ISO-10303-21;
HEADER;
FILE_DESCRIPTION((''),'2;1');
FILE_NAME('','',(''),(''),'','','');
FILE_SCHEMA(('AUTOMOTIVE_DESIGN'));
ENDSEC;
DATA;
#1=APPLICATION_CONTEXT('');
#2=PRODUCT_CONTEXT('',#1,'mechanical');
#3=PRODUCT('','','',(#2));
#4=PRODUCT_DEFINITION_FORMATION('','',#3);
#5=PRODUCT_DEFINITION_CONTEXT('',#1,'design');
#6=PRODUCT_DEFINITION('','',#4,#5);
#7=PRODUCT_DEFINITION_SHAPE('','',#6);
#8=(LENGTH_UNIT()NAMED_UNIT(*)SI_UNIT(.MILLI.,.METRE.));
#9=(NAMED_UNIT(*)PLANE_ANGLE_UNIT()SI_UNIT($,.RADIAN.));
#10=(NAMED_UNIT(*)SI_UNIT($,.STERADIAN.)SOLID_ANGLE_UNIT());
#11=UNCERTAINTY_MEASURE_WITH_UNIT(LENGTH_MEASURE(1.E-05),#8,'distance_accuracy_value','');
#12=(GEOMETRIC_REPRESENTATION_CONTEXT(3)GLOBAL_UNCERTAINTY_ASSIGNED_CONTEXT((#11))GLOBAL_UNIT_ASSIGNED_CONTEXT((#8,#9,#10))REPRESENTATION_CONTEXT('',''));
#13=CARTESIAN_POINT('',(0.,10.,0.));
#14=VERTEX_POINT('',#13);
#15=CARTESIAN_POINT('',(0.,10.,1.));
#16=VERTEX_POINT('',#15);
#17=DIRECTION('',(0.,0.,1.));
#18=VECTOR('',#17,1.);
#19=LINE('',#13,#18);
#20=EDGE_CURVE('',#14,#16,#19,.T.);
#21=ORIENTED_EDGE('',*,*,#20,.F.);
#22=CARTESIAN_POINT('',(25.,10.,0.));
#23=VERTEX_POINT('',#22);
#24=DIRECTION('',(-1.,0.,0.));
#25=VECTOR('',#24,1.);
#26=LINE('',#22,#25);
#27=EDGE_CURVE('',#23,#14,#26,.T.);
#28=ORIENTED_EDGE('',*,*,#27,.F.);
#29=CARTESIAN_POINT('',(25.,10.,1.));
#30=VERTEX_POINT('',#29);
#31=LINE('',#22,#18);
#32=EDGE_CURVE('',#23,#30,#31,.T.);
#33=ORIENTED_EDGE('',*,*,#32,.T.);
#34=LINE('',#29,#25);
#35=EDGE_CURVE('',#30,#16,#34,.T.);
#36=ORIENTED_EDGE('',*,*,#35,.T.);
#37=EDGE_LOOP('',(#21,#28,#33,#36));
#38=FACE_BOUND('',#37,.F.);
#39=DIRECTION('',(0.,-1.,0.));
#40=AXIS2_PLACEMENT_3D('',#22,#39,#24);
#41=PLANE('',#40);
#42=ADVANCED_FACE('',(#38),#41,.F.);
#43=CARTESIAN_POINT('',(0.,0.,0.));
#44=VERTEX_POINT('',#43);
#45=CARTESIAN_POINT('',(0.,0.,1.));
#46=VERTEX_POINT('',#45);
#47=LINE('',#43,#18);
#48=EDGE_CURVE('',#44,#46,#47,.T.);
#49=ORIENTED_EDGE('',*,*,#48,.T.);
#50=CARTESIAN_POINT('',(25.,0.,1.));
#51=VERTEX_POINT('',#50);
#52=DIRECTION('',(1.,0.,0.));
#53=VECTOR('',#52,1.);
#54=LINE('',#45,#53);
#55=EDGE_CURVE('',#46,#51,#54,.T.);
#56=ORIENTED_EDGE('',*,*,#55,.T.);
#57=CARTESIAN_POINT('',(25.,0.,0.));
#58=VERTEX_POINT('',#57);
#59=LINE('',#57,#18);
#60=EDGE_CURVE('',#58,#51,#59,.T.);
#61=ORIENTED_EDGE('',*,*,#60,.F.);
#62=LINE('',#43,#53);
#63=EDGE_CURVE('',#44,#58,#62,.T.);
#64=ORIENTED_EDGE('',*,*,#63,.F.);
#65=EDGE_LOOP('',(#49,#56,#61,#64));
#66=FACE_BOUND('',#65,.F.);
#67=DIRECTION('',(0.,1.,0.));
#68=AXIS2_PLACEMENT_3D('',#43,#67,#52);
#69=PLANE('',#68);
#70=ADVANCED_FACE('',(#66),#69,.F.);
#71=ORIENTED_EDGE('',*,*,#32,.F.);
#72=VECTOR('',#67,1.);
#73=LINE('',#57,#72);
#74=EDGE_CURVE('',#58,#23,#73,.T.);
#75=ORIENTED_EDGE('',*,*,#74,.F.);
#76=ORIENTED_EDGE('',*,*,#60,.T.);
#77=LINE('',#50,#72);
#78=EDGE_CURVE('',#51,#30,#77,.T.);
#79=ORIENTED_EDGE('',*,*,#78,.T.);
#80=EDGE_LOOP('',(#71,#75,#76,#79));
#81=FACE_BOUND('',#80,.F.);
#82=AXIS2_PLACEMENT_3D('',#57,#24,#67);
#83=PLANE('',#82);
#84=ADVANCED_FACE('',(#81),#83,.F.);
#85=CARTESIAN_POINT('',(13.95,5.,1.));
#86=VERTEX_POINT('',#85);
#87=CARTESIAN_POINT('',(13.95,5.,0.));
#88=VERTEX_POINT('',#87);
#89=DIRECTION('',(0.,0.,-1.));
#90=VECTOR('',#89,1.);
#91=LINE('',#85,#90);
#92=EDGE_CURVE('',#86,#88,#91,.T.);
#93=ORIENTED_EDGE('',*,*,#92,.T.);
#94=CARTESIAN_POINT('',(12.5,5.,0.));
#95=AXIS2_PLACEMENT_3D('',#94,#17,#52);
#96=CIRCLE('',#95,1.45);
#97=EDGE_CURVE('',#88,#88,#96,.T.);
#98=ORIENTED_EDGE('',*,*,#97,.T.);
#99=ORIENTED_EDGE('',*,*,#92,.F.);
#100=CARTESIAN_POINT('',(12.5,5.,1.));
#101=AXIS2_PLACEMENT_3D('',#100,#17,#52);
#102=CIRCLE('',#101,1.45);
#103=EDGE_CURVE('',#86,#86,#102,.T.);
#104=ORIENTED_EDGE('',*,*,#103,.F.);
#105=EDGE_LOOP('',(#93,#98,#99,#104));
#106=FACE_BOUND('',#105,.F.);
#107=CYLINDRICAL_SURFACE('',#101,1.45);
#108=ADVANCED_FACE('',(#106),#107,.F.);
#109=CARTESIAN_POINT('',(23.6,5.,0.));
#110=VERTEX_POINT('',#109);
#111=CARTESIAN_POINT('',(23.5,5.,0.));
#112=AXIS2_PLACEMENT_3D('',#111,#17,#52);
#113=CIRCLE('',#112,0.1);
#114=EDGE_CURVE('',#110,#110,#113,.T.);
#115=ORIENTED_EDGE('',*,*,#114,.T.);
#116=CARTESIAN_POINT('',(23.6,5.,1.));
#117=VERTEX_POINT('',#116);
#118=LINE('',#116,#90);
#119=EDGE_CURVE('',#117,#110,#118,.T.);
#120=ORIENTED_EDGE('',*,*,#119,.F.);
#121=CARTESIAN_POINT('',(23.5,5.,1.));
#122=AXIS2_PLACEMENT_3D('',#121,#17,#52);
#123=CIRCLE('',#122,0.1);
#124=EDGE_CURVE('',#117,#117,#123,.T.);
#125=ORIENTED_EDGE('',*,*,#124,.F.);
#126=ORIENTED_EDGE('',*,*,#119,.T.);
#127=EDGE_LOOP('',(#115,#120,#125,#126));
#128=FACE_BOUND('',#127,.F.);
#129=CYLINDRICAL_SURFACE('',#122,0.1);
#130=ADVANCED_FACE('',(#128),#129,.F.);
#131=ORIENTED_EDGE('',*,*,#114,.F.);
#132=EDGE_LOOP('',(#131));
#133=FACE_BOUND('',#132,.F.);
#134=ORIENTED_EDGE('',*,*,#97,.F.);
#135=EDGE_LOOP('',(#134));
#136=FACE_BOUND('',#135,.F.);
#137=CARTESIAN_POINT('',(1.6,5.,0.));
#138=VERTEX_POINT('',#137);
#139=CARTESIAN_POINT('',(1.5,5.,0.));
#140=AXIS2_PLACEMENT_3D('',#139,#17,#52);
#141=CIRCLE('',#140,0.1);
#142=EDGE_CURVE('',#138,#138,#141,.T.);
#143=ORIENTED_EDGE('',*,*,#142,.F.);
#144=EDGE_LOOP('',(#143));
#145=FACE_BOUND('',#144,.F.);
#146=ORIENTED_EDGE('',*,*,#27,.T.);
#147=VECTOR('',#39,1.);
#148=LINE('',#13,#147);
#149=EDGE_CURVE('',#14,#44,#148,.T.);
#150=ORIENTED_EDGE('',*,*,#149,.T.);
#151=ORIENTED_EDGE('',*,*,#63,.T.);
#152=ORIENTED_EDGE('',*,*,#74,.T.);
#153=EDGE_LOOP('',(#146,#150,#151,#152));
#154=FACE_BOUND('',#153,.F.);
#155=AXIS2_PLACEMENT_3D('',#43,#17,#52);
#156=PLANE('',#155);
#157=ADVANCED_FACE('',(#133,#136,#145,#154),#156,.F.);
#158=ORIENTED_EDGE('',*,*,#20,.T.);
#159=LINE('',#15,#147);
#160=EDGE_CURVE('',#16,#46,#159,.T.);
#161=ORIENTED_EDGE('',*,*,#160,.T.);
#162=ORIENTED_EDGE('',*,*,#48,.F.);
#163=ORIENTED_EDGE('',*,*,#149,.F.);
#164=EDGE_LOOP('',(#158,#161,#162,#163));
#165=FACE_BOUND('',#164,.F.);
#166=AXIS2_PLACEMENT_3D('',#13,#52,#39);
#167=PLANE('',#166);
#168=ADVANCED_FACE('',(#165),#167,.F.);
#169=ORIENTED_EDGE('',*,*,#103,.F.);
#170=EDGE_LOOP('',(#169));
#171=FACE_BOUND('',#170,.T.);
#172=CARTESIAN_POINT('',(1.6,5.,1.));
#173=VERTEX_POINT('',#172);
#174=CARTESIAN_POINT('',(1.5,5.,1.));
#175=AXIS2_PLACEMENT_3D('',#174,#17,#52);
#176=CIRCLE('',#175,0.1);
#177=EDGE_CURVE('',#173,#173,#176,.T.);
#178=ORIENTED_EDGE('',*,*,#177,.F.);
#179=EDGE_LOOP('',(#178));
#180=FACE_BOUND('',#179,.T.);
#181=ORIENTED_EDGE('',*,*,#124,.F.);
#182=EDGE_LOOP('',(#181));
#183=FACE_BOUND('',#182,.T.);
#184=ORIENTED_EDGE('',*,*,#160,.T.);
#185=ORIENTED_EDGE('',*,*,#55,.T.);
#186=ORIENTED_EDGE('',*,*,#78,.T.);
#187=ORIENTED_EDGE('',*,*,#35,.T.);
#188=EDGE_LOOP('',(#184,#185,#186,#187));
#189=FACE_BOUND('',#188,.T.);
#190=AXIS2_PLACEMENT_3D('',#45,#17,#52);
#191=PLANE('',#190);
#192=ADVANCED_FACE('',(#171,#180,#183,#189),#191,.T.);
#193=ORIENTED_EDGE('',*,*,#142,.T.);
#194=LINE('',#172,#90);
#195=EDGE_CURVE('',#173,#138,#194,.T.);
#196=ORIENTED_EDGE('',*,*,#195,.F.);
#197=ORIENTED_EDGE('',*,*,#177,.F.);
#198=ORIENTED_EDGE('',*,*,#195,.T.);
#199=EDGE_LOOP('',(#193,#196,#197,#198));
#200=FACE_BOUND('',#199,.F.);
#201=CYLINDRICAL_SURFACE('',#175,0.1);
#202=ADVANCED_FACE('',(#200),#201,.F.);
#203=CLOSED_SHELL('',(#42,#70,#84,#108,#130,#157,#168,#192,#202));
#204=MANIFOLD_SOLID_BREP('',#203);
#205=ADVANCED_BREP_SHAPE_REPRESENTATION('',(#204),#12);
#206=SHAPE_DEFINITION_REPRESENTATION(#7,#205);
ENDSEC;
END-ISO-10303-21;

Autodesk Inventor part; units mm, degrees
ref_plane "YZ Plane" through (0, 0, 0) normal (1, 0, 0) x (0, 1, 0)
ref_plane "XZ Plane" through (0, 0, 0) normal (0, 1, 0) x (-1, 0, 0)
ref_plane "XY Plane" through (0, 0, 0) normal (0, 0, 1) x (1, 0, 0)
sketch "Sketch1" plane through (0, 0, 0) normal (0, 0, 1) x (1, 0, 0)
  line L0 (0, 0) -> (25, 0)
  line L1 (25, 0) -> (25, 10)
  line L2 (25, 10) -> (0, 10)
  line L3 (0, 10) -> (0, 0)
  dimension "d0" = 25
  dimension "d1" = 10
extrude "Extrusion1" add sketch "Sketch1" along normal blind 1
sketch "Sketch2" plane through (0, 0, 1) normal (0, 0, 1) x (1, 0, 0)
  circle A0 centre (12.5, 5) radius 1.45
  line L0 (0, 0) -> (25, 0) projected
  line L1 (0, 10) -> (0, 0) projected
  line L2 (12.5, 0) -> (12.5, 2.5918) construction
  line L3 (25, 0) -> (25, 10) projected
  line L4 (25, 10) -> (0, 10) projected
  line L5 (25, 5) -> (1.9186, 5) construction
  dimension "d4" = 2.9
extrude "Extrusion2" cut sketch "Sketch2" against normal blind 15 contours A0
sketch "Sketch3" plane through (0, 0, 1) normal (0, 0, 1) x (1, 0, 0)
  line L0 (25, 0) -> (25, 10) projected
  line L1 (0, 10) -> (0, 0) projected
  circle A0 centre (23.5, 5) radius 0.1
  circle A1 centre (1.5, 5) radius 0.1
  line L2 (25, 5) -> (0, 5) construction
  dimension "d7" = 0.2
  dimension "d8" = 0.2
  dimension "d9" = 1.5
  dimension "d10" = 1.5
extrude "Extrusion3" cut sketch "Sketch3" against normal blind 15
properties part number "MaterialTest01"
